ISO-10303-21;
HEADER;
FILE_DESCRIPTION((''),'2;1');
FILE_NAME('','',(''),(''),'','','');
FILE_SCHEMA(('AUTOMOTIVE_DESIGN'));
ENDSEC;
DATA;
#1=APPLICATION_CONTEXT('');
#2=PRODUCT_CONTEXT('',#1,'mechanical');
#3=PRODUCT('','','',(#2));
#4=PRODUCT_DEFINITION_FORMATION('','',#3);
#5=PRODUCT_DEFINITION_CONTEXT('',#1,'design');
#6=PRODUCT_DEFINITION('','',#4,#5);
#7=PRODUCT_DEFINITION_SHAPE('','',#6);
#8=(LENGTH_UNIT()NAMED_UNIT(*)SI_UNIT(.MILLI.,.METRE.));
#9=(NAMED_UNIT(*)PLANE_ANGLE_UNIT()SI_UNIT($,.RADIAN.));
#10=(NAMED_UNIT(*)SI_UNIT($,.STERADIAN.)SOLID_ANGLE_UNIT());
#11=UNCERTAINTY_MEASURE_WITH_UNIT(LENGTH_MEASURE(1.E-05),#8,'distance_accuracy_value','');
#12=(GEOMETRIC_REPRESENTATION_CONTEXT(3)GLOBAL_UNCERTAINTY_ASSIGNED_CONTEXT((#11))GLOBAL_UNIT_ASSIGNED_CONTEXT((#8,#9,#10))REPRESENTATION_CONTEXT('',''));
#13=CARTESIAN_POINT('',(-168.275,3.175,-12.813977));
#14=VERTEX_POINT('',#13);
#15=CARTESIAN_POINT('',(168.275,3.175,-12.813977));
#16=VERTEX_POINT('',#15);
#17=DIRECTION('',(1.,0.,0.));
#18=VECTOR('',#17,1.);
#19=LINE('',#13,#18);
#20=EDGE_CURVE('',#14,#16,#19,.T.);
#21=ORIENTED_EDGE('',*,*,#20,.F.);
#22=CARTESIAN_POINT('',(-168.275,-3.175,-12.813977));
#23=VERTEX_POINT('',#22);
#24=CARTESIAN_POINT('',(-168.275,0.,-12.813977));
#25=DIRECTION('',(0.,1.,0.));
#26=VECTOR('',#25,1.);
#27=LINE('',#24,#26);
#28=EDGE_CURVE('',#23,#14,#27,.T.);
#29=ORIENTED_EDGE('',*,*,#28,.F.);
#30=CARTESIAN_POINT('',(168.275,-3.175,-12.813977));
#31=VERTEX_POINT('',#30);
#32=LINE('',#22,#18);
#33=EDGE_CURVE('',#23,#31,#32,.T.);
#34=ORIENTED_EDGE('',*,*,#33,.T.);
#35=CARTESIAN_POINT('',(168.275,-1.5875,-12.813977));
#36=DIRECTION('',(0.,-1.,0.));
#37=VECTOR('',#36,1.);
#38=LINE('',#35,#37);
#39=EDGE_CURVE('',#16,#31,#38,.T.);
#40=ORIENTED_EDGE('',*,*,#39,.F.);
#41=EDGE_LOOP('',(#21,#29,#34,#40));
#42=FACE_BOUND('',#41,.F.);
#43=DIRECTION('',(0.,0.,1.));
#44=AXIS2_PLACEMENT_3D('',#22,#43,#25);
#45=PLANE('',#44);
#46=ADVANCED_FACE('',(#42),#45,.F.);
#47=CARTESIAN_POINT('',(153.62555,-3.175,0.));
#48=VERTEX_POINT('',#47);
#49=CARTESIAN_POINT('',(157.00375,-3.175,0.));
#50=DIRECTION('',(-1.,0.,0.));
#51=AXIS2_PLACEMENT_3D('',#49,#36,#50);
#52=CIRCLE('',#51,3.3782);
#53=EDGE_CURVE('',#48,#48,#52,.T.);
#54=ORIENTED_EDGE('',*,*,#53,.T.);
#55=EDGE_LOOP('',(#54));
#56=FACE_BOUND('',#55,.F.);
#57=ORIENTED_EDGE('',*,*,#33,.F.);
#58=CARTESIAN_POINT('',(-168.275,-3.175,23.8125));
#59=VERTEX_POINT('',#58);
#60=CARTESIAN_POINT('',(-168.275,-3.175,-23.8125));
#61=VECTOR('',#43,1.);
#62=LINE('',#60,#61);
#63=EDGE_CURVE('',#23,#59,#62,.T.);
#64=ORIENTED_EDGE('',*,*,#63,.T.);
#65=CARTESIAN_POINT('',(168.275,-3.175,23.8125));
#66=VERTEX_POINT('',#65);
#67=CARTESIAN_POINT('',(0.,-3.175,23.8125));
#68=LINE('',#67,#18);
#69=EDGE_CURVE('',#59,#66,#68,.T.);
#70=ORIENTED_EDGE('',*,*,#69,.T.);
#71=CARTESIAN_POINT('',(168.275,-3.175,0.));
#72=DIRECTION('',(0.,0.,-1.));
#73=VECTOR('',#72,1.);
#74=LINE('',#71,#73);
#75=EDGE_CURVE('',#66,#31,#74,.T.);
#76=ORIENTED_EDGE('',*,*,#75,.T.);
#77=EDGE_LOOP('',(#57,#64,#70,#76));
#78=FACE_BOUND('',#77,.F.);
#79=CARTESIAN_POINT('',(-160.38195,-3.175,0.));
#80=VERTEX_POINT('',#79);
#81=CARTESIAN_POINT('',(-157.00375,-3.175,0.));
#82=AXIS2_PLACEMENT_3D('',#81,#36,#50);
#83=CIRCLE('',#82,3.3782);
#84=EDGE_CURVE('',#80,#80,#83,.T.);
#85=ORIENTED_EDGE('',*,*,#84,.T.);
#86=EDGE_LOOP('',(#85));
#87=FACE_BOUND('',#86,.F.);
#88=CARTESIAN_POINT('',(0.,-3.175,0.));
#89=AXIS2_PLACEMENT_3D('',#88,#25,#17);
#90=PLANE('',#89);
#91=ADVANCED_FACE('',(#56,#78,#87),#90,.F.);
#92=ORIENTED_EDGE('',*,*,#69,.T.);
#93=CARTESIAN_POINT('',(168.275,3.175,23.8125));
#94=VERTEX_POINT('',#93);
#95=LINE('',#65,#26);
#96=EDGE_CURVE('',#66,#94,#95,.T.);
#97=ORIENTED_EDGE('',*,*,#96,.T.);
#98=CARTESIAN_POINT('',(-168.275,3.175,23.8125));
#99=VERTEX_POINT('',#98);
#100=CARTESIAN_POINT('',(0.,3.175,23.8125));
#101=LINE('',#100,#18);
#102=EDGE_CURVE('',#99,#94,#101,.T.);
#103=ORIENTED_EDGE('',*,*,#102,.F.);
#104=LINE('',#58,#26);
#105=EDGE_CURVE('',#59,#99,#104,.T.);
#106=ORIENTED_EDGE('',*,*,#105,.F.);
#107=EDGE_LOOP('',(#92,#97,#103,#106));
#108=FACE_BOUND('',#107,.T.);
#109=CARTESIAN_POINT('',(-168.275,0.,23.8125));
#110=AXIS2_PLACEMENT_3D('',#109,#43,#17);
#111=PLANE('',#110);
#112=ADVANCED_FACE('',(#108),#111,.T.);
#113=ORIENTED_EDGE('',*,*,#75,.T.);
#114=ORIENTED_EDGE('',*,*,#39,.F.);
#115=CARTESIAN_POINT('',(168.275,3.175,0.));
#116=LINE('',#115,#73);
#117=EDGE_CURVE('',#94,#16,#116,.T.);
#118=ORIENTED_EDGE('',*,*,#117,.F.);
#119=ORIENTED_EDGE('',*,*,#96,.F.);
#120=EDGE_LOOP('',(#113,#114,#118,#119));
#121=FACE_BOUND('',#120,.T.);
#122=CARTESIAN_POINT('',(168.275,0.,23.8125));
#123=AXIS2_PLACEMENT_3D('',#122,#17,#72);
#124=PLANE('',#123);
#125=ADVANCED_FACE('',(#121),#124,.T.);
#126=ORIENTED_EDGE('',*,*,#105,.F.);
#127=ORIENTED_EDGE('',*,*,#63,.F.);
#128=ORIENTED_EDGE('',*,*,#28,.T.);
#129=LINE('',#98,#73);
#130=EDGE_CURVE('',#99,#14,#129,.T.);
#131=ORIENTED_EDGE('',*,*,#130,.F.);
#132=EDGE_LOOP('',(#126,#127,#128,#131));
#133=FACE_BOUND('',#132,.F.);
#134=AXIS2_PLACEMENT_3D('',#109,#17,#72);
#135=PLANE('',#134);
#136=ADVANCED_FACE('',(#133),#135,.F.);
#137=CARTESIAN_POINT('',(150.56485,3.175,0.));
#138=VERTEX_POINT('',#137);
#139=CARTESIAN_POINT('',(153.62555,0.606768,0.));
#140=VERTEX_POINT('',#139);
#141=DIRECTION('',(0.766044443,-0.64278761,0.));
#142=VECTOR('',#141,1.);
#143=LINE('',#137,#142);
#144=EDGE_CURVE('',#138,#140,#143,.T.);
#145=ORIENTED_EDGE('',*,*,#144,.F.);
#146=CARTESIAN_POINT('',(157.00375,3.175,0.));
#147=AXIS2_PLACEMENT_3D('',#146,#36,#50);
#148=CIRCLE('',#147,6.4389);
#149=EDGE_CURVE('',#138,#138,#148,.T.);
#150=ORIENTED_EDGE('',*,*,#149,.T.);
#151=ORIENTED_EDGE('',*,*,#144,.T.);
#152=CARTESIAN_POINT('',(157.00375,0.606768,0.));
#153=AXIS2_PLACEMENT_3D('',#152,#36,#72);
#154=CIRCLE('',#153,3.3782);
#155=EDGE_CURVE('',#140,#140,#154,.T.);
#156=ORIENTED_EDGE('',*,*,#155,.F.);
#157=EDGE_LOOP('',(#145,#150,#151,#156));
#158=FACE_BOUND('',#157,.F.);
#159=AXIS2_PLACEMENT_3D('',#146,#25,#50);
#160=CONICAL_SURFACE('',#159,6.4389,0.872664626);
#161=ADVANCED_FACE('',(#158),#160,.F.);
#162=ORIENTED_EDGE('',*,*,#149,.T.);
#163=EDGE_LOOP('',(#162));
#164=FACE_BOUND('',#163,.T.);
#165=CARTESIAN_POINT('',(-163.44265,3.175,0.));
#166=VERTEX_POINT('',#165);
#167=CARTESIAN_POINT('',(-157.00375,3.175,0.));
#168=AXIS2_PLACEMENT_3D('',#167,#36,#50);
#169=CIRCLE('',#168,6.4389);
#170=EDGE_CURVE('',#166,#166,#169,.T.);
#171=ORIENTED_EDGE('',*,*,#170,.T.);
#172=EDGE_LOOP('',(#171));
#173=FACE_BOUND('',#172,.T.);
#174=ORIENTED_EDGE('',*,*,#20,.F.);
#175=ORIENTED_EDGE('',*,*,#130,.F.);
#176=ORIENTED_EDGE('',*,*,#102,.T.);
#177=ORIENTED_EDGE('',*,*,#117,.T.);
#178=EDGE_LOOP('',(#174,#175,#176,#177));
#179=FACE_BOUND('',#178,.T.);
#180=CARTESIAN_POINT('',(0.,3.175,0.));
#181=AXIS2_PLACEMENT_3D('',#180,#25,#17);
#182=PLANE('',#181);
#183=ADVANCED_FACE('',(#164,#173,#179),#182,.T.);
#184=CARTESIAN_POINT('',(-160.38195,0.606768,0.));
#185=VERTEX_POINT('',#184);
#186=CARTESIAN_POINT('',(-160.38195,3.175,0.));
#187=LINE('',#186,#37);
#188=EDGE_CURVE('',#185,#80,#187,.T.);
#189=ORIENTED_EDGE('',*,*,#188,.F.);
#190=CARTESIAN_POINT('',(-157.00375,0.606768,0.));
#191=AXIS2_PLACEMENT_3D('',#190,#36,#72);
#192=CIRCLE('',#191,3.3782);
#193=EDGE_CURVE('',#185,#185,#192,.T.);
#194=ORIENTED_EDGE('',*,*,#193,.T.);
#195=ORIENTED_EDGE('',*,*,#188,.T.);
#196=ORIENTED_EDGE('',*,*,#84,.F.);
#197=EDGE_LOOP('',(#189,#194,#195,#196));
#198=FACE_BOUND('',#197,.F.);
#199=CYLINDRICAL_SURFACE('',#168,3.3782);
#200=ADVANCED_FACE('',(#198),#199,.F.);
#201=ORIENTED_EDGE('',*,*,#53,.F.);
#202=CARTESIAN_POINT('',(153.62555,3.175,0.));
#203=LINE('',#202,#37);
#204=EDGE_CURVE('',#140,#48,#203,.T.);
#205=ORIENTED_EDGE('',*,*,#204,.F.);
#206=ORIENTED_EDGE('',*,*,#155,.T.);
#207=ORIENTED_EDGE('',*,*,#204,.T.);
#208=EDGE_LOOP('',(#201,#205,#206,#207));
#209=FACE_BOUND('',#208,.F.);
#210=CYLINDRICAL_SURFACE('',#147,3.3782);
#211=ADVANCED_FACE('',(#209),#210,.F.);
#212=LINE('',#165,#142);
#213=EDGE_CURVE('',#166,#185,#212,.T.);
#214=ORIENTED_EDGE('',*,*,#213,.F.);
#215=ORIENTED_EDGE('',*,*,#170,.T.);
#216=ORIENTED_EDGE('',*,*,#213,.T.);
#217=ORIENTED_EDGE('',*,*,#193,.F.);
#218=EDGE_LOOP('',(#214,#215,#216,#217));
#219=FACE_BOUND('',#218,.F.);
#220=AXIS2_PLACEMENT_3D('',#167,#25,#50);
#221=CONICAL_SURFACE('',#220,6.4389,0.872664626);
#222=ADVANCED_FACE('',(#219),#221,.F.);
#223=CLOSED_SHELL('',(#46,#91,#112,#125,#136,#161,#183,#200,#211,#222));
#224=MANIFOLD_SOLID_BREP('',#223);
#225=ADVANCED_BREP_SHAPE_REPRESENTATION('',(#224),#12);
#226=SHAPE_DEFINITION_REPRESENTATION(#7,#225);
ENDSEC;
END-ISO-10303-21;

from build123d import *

# Parameters (mm, degrees)
SKETCH1_W                                           = 336.55
SKETCH1_H                                           = 47.625
BOSS_EXTRUDE1_DEPTH                                 = 3.175
CSK_FOR_1_4_FLAT_HEAD_MACHINE_SCREW_100_D           = 6.7564
CSK_FOR_1_4_FLAT_HEAD_MACHINE_SCREW_100_CSINK_D     = 12.8778
CSK_FOR_1_4_FLAT_HEAD_MACHINE_SCREW_100_CSINK_ANGLE = 100
SKETCH4_W                                           = 10.998522628
SKETCH4_H                                           = 6.35
CUT_EXTRUDE1_DEPTH                                  = 1
CUT_EXTRUDE1_DEPTH_BACK                             = 337.55


with BuildPart() as part:
    # Sketch1 → Boss-Extrude1 (new body, symmetric)
    with BuildSketch(Plane(origin=(0, 0, 0), x_dir=(1, 0, 0), z_dir=(0, 1, 0))):
        Rectangle(SKETCH1_W, SKETCH1_H)
    extrude(amount=BOSS_EXTRUDE1_DEPTH, both=True)

    # CSK for 1/4 Flat Head Machine Screw (100)1 (through all)
    with Locations(Plane(origin=(0, 3.175, 0), x_dir=(1, 0, 0), z_dir=(0, 1, 0))):
        with Locations((-157.00375, 0), (157.00375, 0)):
            CounterSinkHole(CSK_FOR_1_4_FLAT_HEAD_MACHINE_SCREW_100_D / 2, CSK_FOR_1_4_FLAT_HEAD_MACHINE_SCREW_100_CSINK_D / 2, counter_sink_angle=CSK_FOR_1_4_FLAT_HEAD_MACHINE_SCREW_100_CSINK_ANGLE)

    # Sketch4 → Cut-Extrude1 (cut, two sides)
    with BuildSketch(Plane.ZY.offset(168.275)) as cut_extrude1_sk:
        with Locations((-18.313238686, 0)):
            Rectangle(SKETCH4_W, SKETCH4_H)
    extrude(amount=CUT_EXTRUDE1_DEPTH, mode=Mode.SUBTRACT)
    extrude(cut_extrude1_sk.sketch, amount=-CUT_EXTRUDE1_DEPTH_BACK, mode=Mode.SUBTRACT)


solid = part.part
